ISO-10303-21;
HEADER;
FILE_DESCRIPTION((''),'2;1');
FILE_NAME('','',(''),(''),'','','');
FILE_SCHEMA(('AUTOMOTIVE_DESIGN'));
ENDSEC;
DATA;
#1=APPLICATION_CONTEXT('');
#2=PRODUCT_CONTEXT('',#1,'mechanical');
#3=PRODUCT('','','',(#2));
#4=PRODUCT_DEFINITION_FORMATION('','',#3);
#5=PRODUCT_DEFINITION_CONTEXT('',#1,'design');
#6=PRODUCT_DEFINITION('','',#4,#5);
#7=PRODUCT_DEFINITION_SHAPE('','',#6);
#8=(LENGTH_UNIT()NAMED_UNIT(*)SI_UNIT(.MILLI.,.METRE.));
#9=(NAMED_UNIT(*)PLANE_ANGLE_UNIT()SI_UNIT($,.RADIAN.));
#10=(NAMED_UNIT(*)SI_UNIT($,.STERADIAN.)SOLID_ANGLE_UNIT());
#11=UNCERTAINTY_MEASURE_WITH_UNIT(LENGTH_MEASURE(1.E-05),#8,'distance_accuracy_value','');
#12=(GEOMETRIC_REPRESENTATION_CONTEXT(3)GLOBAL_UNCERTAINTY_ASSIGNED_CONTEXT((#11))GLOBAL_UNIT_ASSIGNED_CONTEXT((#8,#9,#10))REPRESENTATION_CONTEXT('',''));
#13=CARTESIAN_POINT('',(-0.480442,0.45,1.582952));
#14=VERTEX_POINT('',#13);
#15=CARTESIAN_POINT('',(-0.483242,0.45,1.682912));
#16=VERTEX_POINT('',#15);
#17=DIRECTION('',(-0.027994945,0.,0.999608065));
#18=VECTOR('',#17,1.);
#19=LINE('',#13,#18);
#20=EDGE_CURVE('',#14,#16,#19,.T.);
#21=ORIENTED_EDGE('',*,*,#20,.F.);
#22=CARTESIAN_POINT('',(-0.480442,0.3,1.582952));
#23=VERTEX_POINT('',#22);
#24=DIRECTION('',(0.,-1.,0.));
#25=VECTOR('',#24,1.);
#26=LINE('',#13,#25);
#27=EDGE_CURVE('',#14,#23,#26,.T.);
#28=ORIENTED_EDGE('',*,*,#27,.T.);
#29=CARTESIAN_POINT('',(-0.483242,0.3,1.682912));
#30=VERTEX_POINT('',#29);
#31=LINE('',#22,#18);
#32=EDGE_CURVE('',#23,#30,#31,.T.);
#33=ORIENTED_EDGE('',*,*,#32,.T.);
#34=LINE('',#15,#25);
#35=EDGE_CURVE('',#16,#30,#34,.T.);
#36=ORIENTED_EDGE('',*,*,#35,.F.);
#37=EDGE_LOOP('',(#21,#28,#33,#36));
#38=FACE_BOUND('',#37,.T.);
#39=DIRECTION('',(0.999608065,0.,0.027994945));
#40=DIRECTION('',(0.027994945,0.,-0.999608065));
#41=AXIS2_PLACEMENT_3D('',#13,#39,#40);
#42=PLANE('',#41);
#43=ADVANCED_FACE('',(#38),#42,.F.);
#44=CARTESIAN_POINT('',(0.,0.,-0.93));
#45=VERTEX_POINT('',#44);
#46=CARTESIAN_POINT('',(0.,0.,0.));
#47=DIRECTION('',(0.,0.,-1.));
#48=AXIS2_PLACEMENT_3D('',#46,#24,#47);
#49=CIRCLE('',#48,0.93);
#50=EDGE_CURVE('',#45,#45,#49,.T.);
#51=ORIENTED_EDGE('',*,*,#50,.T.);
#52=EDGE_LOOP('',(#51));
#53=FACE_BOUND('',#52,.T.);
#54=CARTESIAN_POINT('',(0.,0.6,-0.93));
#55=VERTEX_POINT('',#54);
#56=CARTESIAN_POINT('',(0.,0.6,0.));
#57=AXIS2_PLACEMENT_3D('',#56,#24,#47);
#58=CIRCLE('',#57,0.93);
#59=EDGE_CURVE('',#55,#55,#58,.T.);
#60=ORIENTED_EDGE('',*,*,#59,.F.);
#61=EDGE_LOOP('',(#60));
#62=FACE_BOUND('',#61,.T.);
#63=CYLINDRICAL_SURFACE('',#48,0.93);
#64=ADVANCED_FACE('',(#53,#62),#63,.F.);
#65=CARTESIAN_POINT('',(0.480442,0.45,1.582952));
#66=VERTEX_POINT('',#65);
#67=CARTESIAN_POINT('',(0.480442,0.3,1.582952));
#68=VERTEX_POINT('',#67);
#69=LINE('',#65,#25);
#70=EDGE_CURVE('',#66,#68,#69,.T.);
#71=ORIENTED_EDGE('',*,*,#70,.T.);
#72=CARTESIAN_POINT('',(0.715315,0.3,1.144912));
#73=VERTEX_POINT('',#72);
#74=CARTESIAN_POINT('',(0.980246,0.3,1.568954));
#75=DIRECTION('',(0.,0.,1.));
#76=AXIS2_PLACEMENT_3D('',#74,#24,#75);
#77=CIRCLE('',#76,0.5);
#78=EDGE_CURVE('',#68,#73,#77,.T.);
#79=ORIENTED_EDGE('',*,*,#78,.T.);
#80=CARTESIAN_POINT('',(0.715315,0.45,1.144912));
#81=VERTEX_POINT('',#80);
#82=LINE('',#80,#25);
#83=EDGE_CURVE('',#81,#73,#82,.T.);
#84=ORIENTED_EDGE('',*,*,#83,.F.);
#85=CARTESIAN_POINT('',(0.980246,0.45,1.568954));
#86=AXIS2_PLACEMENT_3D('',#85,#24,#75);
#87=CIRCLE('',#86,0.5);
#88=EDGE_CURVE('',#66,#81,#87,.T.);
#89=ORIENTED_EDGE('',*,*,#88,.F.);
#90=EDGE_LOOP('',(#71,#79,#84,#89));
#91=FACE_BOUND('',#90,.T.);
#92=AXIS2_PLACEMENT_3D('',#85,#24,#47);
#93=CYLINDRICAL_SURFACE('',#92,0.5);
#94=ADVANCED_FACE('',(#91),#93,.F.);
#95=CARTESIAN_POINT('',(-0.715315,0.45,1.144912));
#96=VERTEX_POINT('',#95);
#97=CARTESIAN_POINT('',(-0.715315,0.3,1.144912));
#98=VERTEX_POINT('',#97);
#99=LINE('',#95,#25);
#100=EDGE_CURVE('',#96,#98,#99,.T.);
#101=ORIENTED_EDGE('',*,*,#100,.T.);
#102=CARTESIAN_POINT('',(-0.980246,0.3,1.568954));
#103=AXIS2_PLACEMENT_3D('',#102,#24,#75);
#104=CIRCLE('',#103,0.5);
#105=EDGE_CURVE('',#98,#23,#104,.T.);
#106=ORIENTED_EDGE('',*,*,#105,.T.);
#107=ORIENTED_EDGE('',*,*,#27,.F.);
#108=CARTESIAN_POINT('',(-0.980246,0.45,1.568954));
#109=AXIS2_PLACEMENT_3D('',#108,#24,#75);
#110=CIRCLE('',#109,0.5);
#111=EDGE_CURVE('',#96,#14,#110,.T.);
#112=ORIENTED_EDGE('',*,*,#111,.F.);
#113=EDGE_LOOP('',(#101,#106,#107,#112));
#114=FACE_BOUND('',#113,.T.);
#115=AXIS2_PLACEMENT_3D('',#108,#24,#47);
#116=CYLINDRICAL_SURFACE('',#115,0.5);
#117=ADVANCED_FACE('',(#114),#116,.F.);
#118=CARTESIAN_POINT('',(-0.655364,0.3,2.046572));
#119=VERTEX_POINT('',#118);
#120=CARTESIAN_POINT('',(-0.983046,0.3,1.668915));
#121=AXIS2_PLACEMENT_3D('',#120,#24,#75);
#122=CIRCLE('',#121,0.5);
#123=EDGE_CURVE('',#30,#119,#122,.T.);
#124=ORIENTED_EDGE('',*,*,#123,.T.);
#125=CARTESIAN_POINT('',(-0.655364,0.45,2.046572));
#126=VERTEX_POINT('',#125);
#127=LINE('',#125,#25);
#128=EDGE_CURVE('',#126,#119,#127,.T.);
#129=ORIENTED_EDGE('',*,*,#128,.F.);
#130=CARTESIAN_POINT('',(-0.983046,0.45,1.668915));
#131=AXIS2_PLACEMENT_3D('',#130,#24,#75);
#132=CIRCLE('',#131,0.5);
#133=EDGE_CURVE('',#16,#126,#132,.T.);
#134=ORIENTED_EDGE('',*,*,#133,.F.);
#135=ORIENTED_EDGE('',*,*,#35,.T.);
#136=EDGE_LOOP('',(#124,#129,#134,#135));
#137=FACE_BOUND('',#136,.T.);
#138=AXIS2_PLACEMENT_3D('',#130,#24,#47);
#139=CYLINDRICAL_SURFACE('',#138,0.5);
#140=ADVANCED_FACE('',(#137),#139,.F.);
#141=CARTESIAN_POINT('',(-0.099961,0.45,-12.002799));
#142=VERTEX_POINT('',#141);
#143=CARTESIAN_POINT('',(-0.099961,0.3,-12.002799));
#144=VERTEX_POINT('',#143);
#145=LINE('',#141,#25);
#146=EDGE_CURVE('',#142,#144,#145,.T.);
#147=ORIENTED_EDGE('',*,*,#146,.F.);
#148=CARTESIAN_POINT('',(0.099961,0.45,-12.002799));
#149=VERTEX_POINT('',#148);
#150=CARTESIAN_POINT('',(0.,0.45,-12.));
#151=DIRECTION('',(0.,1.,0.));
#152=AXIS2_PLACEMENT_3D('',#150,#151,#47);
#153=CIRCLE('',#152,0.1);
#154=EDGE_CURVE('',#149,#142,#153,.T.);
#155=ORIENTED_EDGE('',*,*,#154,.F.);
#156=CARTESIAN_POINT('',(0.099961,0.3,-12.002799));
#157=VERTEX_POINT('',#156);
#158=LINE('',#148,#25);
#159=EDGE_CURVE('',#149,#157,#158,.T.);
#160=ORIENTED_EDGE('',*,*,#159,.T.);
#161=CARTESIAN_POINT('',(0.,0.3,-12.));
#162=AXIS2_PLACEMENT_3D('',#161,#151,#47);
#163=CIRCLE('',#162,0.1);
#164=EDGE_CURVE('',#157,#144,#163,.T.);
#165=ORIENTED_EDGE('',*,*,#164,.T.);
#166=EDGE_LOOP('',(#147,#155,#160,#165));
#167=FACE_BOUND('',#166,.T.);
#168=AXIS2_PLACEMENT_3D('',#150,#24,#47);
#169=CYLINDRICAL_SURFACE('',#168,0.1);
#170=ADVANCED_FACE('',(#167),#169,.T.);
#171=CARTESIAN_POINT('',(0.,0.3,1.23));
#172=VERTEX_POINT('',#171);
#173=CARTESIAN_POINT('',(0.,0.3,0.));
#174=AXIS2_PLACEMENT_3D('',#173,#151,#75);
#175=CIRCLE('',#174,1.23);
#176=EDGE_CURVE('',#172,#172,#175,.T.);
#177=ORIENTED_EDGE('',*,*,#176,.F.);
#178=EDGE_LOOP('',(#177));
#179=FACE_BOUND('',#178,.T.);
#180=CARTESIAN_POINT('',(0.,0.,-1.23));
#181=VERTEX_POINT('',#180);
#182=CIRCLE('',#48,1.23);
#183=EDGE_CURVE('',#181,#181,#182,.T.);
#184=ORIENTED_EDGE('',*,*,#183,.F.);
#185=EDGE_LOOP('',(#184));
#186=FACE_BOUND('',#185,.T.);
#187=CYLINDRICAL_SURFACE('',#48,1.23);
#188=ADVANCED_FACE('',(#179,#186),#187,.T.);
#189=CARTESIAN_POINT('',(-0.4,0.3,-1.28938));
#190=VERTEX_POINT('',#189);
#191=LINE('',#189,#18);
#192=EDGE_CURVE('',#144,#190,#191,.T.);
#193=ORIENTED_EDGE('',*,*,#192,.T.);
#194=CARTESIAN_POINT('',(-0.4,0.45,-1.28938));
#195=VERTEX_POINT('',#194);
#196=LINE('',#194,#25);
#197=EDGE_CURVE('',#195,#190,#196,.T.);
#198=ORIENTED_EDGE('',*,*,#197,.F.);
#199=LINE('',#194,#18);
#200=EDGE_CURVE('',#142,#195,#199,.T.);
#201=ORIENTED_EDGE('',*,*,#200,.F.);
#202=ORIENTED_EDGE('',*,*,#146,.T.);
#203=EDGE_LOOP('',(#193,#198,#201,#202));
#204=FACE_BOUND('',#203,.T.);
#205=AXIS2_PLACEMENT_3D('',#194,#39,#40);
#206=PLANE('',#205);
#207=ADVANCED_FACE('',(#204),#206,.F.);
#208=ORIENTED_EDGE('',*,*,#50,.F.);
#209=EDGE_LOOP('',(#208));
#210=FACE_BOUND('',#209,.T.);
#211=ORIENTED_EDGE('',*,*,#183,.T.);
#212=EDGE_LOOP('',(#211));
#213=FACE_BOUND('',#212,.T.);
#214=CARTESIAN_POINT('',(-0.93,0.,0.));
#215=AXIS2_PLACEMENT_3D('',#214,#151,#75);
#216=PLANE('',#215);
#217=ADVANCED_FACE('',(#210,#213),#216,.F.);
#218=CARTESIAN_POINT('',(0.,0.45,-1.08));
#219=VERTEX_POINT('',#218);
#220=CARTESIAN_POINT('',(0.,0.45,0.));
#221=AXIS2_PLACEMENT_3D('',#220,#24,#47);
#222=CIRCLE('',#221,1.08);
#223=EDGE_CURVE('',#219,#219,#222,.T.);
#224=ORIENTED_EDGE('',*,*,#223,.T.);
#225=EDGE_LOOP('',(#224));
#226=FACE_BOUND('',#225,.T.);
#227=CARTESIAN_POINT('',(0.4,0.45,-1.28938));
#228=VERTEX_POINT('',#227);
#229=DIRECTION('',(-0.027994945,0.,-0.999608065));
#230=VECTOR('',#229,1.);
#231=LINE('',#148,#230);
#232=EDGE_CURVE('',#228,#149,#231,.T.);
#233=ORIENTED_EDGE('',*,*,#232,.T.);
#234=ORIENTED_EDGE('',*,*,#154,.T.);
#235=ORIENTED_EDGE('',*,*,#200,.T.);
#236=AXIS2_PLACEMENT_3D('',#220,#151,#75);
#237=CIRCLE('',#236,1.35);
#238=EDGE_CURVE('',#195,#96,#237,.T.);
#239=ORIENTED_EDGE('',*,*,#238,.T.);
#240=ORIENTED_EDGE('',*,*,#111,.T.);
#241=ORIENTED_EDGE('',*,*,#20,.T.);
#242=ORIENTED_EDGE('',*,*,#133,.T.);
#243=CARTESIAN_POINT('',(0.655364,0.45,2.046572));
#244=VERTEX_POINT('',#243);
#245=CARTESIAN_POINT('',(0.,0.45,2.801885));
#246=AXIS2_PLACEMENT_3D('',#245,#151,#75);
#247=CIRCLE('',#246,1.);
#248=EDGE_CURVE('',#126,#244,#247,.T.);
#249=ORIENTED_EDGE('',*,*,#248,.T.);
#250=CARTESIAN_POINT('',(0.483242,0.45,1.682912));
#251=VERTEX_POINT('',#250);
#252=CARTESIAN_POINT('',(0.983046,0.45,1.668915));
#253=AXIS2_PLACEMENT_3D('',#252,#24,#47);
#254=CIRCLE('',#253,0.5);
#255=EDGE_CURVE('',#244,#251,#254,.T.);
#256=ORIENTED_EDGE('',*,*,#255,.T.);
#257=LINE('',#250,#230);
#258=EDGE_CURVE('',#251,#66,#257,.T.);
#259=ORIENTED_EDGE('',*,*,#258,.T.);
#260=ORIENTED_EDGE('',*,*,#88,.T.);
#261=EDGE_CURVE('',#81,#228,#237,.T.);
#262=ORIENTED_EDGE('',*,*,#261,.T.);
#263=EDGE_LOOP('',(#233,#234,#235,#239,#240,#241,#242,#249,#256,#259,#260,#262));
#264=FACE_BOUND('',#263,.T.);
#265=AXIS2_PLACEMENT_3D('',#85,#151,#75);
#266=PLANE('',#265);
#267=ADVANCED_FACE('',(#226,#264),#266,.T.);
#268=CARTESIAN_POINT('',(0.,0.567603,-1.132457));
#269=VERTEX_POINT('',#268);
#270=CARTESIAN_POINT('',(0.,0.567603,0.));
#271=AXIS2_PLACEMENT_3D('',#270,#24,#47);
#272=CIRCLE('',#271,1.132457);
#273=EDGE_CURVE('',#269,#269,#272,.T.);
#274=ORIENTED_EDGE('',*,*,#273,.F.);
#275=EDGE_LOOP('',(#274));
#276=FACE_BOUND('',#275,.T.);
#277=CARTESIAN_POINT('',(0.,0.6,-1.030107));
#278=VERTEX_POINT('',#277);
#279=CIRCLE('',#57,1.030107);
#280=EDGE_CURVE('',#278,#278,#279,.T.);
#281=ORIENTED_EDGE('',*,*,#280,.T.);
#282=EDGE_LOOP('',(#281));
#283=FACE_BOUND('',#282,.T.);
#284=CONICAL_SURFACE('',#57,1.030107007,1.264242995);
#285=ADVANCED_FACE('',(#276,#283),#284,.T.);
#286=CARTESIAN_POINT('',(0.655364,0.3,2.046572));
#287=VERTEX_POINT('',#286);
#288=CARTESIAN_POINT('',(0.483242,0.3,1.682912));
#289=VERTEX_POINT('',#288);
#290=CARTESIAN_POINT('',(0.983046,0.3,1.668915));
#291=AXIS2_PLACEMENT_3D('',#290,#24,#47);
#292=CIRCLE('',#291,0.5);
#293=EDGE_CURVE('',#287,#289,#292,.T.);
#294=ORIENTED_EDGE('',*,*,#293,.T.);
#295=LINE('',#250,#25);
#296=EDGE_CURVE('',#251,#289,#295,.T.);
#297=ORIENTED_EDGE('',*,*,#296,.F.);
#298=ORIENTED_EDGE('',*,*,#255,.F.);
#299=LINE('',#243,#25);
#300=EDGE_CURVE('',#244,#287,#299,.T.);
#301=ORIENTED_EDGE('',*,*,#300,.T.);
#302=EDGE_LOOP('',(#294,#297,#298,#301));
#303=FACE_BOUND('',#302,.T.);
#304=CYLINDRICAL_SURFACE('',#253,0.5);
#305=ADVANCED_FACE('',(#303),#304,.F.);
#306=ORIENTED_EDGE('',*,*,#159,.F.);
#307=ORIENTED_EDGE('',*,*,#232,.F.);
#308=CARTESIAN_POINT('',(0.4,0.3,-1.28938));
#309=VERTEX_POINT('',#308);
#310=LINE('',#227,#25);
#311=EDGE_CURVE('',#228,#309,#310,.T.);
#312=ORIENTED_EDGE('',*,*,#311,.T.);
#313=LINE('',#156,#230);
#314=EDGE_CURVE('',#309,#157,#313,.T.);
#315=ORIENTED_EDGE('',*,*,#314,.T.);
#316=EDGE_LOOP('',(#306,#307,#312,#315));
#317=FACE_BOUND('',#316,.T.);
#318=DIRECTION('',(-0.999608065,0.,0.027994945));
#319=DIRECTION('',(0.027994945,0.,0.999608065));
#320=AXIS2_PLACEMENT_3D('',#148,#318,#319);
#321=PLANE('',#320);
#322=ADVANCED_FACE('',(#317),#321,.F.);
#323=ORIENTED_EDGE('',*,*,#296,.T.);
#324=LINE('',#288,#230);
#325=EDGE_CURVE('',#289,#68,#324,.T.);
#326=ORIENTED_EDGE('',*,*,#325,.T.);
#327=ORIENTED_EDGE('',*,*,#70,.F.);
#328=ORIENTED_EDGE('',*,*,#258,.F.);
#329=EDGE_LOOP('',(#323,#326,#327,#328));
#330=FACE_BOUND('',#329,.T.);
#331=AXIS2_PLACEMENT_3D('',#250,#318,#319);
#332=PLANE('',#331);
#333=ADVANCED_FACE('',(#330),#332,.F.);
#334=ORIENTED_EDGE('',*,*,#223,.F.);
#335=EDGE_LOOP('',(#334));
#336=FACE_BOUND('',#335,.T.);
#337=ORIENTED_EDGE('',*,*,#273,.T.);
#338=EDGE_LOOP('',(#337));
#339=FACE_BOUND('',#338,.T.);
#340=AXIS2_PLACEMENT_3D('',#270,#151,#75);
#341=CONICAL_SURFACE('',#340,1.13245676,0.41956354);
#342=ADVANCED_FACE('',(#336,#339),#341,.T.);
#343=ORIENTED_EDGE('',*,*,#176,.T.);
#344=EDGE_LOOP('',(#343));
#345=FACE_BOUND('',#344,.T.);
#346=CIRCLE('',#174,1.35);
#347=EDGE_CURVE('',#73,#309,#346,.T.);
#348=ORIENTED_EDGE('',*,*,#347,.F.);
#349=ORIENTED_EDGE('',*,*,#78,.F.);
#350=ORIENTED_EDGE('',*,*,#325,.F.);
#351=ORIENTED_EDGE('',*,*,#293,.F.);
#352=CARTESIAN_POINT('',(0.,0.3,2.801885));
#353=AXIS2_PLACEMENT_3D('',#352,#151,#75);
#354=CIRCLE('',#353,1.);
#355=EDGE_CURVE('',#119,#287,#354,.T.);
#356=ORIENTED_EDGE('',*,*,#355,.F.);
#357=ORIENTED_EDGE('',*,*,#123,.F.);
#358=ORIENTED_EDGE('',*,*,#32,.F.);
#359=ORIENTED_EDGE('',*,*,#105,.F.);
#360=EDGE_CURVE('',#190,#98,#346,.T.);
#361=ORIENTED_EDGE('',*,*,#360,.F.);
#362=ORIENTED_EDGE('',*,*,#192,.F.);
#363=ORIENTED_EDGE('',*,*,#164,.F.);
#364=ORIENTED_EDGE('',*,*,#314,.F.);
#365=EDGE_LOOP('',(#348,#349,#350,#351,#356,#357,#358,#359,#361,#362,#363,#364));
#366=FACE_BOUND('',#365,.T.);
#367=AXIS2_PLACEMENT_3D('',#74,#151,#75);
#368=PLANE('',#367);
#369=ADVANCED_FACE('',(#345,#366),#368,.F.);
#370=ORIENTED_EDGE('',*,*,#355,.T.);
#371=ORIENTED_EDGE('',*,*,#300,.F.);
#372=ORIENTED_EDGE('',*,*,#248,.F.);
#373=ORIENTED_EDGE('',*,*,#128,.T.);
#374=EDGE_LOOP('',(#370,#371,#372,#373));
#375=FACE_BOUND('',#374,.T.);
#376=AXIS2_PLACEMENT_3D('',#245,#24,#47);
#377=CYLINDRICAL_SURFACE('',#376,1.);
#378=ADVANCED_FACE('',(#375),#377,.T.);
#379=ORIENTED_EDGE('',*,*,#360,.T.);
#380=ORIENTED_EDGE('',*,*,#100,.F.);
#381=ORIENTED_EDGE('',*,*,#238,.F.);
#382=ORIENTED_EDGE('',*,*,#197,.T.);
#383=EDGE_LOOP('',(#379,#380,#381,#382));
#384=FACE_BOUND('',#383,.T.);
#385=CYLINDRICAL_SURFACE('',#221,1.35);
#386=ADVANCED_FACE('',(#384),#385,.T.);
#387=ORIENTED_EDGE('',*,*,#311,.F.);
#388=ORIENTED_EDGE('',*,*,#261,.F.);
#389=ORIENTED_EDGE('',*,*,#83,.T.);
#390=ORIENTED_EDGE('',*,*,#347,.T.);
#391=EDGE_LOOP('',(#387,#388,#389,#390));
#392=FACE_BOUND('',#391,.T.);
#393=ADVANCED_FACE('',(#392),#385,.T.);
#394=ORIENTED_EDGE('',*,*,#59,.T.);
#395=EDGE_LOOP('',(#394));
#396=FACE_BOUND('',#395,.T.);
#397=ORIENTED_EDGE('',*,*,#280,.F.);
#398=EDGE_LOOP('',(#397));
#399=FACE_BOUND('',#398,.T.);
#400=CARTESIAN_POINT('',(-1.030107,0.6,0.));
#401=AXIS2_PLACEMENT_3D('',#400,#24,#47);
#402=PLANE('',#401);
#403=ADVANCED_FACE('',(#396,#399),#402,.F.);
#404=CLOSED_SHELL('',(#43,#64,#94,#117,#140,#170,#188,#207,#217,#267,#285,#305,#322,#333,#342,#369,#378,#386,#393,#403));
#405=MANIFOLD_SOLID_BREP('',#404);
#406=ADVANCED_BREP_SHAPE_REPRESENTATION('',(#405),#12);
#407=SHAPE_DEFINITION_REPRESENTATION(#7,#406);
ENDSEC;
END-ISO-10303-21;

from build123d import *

# Parameters (mm, degrees)
ESQUISSE2_R        = 1.08
BOSS_EXTRU_1_DEPTH = 0.15


with BuildPart() as part:
    # Esquisse1 → Révolution1 (revolve)
    with BuildSketch(Plane.XY):
        Polygon((-1.23, 0), (-1.23, 0.3), (-1.08, 0.3), (-1.08, 0.45), (-1.13245676, 0.567603094), (-1.030107007, 0.6), (-0.93, 0.6), (-0.93, 0), align=None)
    revolve(axis=Axis((0, 0, 0), (0, 1, 0)))

    # Esquisse2 → Boss.-Extru.1 (add)
    with BuildSketch(Plane(origin=(0, 0.3, 0), x_dir=(1, 0, 0), z_dir=(0, 1, 0))):
        with BuildLine():
            Line((0.099960806, 12.002799494), (0.4, 1.289379696))
            ThreePointArc((0.4, 1.289379696), (1.338815312, 0.173417305), (0.715314881, -1.144912495))
            ThreePointArc((0.715314881, -1.144912495), (0.539593784, -1.332680285), (0.480442286, -1.582951632))
            Line((0.480442286, -1.582951632), (0.48324178, -1.682912439))
            ThreePointArc((0.48324178, -1.682912439), (0.531110798, -1.882818549), (0.655363875, -2.04657162))
            ThreePointArc((0.655363875, -2.04657162), (0, -3.801884927), (-0.655363875, -2.04657162))
            ThreePointArc((-0.655363875, -2.04657162), (-0.531110798, -1.882818549), (-0.48324178, -1.682912439))
            Line((-0.48324178, -1.682912439), (-0.480442286, -1.582951632))
            ThreePointArc((-0.480442286, -1.582951632), (-0.539593784, -1.332680285), (-0.715314881, -1.144912495))
            ThreePointArc((-0.715314881, -1.144912495), (-1.338815312, 0.173417305), (-0.4, 1.289379696))
            Line((-0.4, 1.289379696), (-0.099960806, 12.002799494))
            ThreePointArc((-0.099960806, 12.002799494), (0, 12.1), (0.099960806, 12.002799494))
        make_face()
        Circle(ESQUISSE2_R, mode=Mode.SUBTRACT)
    extrude(amount=BOSS_EXTRU_1_DEPTH)


solid = part.part
